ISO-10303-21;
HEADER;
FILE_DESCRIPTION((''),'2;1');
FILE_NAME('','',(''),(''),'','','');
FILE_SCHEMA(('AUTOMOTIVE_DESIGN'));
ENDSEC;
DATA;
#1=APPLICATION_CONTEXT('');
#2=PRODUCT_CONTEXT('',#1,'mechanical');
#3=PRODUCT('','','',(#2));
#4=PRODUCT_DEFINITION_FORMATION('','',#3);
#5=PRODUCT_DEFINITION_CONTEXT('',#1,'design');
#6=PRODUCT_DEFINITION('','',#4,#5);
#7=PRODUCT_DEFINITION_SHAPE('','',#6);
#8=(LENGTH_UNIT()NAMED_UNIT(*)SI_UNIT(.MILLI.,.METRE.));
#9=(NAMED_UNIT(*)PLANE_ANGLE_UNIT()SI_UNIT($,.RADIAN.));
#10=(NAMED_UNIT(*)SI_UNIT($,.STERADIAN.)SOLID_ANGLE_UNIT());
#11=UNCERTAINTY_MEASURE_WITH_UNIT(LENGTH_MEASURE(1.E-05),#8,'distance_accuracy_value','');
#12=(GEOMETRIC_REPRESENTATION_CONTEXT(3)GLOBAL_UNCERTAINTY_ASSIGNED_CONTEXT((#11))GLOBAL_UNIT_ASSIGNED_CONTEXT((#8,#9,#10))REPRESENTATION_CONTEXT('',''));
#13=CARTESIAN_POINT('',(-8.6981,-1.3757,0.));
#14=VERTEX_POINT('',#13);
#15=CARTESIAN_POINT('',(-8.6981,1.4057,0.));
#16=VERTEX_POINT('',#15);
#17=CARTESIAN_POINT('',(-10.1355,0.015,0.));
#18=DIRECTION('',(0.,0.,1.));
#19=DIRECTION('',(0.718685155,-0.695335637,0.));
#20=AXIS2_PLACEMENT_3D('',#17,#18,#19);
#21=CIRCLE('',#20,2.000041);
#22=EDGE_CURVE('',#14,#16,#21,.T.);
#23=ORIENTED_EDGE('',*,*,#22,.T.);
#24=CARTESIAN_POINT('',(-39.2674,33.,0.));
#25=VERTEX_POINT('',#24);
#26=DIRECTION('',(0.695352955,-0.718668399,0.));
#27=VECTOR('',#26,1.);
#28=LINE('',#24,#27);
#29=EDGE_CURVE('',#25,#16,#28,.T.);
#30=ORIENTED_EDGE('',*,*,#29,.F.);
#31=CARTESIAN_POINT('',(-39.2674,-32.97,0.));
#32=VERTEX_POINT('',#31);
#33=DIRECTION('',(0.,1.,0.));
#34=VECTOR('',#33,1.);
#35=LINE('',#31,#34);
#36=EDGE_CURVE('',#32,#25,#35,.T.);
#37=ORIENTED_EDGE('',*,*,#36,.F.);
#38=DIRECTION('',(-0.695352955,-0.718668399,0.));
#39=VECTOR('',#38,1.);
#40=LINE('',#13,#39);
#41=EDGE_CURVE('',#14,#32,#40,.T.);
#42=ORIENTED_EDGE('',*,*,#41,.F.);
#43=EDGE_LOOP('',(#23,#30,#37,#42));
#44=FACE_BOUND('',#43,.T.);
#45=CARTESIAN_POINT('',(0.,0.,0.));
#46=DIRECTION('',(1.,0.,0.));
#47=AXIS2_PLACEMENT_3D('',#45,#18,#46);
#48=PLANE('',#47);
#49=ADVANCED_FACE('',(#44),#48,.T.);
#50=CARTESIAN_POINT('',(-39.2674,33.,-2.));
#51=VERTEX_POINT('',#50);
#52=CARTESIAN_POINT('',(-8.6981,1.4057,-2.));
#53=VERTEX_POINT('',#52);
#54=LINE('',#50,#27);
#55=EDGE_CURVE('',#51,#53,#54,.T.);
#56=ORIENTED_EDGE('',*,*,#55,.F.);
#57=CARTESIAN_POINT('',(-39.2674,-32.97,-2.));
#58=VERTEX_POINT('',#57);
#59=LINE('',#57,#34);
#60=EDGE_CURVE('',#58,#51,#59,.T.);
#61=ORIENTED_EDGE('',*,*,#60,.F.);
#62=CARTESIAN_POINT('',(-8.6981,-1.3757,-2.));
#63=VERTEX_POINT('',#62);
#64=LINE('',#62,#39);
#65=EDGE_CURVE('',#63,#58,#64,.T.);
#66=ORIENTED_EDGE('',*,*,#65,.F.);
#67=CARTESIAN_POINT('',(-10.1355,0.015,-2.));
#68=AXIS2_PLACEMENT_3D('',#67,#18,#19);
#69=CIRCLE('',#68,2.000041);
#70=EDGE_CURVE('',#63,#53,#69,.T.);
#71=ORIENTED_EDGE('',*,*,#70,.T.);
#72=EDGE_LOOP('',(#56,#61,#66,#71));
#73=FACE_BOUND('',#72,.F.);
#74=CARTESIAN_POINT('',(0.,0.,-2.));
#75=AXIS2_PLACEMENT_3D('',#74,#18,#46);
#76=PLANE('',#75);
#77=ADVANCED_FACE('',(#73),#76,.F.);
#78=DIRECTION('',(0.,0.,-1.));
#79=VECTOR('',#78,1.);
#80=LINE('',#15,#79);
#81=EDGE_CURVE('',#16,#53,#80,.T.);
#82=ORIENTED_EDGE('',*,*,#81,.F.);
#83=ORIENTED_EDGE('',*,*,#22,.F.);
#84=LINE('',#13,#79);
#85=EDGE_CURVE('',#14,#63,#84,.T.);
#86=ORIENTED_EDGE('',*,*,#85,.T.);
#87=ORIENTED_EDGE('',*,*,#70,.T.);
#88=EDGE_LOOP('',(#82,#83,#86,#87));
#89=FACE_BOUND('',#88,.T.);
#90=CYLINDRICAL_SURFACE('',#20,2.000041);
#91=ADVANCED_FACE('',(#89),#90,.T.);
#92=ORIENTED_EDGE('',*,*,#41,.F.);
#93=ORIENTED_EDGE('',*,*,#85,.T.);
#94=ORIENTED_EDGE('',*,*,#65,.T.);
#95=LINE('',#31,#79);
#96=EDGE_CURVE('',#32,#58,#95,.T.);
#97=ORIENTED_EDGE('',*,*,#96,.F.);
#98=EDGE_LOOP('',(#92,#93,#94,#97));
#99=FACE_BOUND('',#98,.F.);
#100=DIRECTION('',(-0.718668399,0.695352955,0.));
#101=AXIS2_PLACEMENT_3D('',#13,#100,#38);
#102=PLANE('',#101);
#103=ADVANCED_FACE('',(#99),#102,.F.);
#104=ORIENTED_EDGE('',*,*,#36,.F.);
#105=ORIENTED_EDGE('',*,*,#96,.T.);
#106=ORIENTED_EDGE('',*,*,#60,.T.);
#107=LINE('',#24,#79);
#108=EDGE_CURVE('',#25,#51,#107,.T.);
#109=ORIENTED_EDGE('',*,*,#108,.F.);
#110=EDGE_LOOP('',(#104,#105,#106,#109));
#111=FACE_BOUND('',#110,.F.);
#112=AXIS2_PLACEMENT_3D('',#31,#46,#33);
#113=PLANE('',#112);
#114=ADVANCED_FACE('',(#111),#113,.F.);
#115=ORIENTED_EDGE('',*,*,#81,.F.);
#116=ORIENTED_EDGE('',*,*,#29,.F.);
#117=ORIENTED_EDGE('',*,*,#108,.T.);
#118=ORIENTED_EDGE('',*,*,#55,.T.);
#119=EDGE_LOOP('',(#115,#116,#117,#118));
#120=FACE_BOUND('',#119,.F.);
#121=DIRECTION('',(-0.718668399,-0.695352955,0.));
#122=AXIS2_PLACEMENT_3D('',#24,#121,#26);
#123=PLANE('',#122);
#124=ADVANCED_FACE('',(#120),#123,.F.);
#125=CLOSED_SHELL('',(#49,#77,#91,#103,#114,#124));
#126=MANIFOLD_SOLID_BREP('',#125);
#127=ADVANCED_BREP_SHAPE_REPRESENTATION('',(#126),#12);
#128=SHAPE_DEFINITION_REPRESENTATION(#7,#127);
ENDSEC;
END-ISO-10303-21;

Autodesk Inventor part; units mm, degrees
ref_plane "YZ Plane" through (0, 0, 0) normal (1, 0, 0) x (0, 1, 0)
ref_plane "XZ Plane" through (0, 0, 0) normal (0, 1, 0) x (-1, 0, 0)
ref_plane "XY Plane" through (0, 0, 0) normal (0, 0, 1) x (1, 0, 0)
sketch "스케치1" plane through (0, 0, 0) normal (0, 0, 1) x (1, 0, 0)
  line L0 (-8.6981, -1.3757) -> (-39.2674, -32.97) projected
  arc A0 (-8.6981, -1.3757) -> (-8.6981, 1.4057) centre (-10.1355, 0.015) ccw projected
  line L1 (-37.7674, -29.2626) -> (-37.7674, 29.2925) projected
  line L2 (-37.7674, 29.2925) -> (-9.7762, 0.3627) projected
  arc A1 (-9.7762, -0.3327) -> (-9.7762, 0.3627) centre (-10.1355, 0.015) ccw projected
  line L3 (-9.7762, -0.3327) -> (-37.7674, -29.2626) projected
  arc A2 (-8.6981, -1.3757) -> (-8.6981, 1.4057) centre (-10.1355, 0.015) ccw projected
  line L4 (-39.2674, 33) -> (-8.6981, 1.4057) projected
  line L5 (-39.2674, -32.97) -> (-39.2674, 33) projected
  line L6 (-8.6981, -1.3757) -> (-39.2674, -32.97) projected
  point P0 (0, 0)
extrude "돌출1" add sketch "스케치1" against normal blind 2 contours L0 L5 L4 A0 | L1 L2 A1 L3
properties part number "본체 글라스"
